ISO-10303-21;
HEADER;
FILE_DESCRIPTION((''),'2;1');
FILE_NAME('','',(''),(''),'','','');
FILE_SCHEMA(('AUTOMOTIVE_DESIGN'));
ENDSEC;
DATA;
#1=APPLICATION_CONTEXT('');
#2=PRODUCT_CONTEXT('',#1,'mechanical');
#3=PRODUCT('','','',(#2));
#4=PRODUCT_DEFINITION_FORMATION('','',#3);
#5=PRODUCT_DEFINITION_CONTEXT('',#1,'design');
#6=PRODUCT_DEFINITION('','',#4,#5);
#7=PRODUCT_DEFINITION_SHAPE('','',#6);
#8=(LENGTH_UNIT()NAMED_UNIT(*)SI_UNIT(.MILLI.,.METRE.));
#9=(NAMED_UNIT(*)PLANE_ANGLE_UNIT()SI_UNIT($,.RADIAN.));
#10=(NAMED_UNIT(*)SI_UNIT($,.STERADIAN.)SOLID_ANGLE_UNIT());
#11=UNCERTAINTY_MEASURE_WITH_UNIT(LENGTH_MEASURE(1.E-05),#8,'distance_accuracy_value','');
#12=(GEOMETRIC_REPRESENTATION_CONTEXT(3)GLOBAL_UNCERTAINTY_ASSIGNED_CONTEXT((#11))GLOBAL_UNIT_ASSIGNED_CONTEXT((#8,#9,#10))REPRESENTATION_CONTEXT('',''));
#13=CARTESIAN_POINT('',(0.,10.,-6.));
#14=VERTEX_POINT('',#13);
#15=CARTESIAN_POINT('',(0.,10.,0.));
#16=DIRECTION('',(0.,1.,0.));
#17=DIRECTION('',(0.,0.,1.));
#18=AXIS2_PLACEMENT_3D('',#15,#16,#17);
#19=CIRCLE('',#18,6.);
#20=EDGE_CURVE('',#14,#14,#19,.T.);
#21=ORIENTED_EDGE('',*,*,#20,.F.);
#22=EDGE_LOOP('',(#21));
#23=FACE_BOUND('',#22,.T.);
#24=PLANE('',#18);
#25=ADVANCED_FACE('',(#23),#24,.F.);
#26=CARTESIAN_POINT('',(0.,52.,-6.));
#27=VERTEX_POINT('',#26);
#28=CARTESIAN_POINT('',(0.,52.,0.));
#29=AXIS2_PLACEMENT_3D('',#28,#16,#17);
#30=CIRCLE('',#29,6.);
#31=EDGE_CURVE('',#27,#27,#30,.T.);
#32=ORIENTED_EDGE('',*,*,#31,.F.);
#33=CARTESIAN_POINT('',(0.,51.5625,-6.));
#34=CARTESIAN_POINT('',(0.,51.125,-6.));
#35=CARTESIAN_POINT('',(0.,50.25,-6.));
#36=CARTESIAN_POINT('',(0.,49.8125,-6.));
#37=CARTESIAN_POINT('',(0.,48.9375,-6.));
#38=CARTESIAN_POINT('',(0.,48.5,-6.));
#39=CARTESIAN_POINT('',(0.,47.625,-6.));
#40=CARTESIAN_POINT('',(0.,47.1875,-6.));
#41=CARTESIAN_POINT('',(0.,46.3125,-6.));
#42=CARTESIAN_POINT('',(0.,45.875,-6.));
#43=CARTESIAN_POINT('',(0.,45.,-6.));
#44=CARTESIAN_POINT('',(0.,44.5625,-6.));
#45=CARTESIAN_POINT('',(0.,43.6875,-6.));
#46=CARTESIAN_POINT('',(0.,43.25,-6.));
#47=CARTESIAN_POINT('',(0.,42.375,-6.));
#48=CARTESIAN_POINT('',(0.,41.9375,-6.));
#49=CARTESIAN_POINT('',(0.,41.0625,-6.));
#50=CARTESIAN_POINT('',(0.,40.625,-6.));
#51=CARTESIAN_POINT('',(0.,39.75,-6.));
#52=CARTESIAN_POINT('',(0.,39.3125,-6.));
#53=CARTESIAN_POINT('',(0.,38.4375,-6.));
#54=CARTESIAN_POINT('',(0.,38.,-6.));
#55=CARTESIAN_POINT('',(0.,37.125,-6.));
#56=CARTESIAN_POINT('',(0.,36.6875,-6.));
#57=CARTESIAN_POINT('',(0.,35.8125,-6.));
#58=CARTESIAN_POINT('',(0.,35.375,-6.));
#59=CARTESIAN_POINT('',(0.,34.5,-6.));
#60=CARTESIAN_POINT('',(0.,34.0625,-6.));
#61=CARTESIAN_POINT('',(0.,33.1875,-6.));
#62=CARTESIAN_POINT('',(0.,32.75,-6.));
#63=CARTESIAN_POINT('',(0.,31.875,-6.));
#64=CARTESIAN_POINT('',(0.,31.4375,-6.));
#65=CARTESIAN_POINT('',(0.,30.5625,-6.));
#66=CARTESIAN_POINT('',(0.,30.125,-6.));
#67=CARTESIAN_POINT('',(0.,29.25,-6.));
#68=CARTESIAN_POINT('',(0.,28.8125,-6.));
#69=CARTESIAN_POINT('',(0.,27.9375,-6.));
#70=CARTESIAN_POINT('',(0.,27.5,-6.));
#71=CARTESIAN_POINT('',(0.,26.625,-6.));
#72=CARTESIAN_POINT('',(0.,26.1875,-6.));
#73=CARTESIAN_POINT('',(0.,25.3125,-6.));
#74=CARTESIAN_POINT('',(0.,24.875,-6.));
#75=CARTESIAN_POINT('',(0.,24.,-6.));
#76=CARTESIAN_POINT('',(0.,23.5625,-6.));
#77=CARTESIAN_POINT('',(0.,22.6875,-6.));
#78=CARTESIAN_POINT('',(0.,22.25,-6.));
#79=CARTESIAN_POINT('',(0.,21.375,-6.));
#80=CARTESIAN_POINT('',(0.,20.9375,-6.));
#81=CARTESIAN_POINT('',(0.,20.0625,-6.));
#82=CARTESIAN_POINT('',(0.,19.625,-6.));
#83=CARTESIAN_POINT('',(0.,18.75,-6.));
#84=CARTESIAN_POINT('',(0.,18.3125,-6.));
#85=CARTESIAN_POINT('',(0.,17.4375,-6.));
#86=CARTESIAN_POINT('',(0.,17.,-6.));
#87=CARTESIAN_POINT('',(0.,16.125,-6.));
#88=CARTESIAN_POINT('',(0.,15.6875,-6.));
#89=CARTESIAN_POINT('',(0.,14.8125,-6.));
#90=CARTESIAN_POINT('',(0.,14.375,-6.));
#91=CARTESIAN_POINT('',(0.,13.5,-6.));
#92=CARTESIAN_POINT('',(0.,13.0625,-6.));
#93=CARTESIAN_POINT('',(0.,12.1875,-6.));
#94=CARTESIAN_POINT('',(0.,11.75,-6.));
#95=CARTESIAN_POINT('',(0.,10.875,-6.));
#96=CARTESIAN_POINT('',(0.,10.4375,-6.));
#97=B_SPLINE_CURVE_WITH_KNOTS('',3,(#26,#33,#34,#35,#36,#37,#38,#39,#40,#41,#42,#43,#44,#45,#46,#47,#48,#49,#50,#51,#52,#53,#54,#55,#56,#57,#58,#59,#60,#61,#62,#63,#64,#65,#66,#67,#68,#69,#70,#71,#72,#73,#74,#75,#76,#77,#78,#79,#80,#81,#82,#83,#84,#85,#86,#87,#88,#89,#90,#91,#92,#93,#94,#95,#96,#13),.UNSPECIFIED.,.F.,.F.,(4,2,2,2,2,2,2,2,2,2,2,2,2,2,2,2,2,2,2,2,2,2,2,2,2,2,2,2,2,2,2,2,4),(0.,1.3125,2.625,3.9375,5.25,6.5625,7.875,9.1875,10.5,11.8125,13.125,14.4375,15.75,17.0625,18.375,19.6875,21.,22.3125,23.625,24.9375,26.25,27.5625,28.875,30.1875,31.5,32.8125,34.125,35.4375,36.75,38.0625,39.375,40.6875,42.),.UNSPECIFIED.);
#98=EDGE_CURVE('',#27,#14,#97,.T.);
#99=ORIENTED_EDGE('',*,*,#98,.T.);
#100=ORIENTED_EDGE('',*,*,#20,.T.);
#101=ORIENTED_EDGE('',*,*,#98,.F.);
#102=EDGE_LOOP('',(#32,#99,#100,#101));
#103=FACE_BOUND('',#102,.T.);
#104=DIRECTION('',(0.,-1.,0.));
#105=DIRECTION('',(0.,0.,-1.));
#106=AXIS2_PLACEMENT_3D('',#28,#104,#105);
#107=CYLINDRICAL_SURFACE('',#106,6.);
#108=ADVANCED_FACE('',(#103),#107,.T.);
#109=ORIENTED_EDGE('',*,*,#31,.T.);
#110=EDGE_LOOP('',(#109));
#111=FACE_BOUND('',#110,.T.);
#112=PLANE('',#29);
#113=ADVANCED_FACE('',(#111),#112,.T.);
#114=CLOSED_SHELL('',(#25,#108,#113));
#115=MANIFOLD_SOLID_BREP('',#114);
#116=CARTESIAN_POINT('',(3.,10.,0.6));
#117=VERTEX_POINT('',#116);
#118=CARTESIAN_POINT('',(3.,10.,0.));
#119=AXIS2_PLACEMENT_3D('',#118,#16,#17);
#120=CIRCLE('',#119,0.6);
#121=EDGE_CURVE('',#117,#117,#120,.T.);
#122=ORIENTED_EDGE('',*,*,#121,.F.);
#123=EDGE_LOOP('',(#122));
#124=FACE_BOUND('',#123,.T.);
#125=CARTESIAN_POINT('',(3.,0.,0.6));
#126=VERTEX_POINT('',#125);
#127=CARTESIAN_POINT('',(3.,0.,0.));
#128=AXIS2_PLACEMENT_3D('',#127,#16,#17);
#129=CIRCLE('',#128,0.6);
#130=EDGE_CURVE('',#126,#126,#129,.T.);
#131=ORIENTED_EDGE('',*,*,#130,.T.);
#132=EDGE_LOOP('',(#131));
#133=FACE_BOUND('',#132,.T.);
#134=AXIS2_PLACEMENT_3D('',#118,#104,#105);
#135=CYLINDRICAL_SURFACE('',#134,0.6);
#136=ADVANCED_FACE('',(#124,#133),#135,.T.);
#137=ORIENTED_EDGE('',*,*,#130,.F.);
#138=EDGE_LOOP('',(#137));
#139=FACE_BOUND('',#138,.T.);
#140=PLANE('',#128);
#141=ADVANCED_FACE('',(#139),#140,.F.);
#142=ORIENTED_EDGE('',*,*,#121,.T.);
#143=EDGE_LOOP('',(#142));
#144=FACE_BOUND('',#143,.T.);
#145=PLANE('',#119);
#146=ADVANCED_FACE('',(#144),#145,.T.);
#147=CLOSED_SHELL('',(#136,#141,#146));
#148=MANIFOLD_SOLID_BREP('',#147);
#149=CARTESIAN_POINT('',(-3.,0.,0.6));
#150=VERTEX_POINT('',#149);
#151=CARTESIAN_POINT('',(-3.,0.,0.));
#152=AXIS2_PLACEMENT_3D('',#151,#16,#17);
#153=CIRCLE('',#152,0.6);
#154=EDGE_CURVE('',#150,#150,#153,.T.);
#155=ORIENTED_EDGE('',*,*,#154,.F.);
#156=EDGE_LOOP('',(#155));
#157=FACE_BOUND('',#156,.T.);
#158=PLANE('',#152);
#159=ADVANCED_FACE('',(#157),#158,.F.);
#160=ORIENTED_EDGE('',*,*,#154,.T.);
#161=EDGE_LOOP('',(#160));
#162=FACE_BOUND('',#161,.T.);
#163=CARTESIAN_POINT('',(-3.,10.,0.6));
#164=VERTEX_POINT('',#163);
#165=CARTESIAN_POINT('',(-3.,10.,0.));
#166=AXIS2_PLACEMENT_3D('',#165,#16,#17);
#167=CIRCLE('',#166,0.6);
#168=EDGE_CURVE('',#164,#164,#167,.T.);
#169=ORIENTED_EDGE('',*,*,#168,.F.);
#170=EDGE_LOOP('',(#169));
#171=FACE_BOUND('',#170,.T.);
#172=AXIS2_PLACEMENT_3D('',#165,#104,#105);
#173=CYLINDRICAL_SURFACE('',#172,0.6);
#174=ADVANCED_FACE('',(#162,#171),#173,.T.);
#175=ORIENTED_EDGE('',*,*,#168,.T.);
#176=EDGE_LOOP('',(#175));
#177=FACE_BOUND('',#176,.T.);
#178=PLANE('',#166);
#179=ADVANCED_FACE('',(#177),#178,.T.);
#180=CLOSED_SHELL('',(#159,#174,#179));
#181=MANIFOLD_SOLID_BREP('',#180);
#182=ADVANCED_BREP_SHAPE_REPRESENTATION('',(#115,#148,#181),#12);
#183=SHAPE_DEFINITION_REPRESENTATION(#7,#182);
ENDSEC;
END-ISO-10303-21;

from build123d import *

# Parameters (mm, degrees)
SK_ELECTRODE_PINS_R    = 0.6
ELECTRODE_PINS_DEPTH   = 10
ELECTRODE_PINS_2_DEPTH = 10
PROBE_START            = 10
SK_PROBE_BODY_R        = 6
PROBE_BODY_DEPTH       = 42


with BuildPart() as part:
    # SK Electrode pins → Electrode pins (new body)
    with BuildSketch(Plane(origin=(0, 0, 0), x_dir=(1, 0, 0), z_dir=(0, 1, 0))):
        with Locations((-3, 0)):
            Circle(SK_ELECTRODE_PINS_R)
    extrude(amount=ELECTRODE_PINS_DEPTH)


with BuildPart() as body_2:
    # SK Electrode pins → Electrode pins 2 (new body)
    with BuildSketch(Plane(origin=(0, 0, 0), x_dir=(1, 0, 0), z_dir=(0, 1, 0))):
        with Locations((3, 0)):
            Circle(SK_ELECTRODE_PINS_R)
    extrude(amount=ELECTRODE_PINS_2_DEPTH)


with BuildPart() as body_3:
    # SK Probe body → Probe body (new body)
    with BuildSketch(Plane(origin=(0, 0, 0), x_dir=(1, 0, 0), z_dir=(0, 1, 0)).offset(PROBE_START)):
        Circle(SK_PROBE_BODY_R)
    extrude(amount=PROBE_BODY_DEPTH)


solid = Compound([part.part, body_2.part, body_3.part])
